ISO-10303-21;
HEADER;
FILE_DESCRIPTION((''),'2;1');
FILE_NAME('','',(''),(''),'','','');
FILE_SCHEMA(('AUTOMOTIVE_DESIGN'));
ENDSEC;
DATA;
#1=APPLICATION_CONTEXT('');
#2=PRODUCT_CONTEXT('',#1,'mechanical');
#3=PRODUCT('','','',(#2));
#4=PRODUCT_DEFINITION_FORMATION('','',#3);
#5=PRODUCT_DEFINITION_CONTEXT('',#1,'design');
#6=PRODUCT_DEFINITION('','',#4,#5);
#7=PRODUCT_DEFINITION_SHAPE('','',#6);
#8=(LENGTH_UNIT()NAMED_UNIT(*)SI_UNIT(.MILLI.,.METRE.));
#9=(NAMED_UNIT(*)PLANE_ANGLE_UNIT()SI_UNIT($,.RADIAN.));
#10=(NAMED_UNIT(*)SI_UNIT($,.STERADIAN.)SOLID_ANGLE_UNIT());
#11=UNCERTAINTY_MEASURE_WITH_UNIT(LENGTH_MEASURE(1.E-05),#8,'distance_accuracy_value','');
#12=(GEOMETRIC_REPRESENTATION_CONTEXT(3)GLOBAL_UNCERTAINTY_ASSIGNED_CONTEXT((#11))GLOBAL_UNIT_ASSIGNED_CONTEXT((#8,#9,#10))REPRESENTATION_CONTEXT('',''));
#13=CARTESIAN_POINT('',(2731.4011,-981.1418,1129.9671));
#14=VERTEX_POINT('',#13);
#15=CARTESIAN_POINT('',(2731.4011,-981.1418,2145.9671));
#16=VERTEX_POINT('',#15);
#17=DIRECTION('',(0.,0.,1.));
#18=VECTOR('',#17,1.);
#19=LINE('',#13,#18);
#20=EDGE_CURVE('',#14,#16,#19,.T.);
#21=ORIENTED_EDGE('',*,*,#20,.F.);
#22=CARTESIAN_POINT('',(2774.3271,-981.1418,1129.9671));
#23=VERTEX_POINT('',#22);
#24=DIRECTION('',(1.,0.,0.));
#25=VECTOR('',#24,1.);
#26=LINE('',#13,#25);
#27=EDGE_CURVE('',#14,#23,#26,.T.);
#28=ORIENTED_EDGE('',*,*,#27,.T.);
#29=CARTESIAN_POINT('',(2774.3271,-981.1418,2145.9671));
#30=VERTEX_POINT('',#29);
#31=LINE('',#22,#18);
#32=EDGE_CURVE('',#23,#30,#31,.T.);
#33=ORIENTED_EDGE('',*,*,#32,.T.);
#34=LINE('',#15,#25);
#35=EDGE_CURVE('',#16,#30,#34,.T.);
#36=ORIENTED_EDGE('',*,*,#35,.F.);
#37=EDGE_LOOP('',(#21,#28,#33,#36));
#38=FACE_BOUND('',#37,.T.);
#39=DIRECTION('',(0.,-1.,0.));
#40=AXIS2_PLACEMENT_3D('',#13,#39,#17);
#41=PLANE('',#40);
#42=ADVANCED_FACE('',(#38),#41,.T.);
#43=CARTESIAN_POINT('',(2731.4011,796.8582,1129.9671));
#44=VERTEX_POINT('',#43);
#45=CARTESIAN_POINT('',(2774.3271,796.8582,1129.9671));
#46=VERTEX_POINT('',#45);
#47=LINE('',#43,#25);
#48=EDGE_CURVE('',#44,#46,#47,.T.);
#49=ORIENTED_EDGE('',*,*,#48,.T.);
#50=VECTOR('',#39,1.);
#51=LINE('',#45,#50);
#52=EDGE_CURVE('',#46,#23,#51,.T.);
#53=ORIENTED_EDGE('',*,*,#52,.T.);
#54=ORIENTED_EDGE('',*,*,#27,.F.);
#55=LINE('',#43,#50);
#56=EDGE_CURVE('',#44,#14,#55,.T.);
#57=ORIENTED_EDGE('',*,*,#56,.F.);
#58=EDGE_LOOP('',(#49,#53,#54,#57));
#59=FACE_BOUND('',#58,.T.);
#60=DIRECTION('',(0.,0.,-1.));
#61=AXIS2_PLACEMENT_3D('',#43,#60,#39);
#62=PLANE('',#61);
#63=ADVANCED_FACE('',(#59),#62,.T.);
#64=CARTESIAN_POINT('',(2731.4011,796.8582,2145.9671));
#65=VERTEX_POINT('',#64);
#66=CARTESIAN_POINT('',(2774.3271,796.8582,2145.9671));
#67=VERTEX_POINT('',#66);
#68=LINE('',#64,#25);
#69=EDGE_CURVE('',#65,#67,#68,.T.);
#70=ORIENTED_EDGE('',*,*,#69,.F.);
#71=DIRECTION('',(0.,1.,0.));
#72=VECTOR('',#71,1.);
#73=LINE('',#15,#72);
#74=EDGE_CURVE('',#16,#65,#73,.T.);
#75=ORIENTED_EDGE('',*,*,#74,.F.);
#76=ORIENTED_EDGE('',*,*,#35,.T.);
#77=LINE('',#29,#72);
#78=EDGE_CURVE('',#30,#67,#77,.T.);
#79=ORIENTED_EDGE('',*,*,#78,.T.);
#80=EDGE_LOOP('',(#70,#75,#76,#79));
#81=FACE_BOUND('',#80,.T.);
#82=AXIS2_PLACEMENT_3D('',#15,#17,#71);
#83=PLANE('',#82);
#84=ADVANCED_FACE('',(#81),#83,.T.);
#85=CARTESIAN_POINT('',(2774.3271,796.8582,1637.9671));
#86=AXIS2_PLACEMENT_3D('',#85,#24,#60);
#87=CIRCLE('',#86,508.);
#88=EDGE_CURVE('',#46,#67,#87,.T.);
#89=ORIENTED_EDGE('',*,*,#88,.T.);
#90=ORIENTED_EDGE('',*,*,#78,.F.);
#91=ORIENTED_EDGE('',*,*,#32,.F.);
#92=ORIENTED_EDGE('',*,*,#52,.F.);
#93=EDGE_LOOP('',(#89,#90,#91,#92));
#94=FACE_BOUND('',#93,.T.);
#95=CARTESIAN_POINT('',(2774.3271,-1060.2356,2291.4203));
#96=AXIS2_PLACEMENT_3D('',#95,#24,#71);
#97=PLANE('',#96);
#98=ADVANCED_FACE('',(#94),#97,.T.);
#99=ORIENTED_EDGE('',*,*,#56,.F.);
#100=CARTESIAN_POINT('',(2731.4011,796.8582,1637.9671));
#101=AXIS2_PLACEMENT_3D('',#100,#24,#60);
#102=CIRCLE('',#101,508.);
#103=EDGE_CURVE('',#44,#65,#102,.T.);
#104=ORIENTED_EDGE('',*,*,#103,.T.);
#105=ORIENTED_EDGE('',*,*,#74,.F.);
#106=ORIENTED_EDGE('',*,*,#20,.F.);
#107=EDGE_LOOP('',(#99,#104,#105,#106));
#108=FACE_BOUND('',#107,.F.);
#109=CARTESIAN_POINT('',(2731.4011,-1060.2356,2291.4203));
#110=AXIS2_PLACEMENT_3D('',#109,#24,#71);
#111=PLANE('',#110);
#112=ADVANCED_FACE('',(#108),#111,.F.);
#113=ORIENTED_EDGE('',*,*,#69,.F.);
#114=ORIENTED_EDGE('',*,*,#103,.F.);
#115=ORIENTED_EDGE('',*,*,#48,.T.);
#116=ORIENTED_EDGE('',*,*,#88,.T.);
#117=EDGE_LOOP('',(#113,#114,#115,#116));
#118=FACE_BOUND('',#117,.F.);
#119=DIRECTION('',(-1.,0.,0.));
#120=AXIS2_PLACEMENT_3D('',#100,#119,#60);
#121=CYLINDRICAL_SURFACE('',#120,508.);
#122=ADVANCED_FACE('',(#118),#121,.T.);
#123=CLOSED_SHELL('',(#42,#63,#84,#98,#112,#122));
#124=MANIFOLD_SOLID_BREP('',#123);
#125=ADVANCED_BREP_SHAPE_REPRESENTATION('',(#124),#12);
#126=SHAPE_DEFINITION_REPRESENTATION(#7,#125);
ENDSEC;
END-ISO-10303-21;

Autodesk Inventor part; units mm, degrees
ref_plane "YZ Plane" through (0, 0, 0) normal (1, 0, 0) x (0, 1, 0)
ref_plane "XZ Plane" through (0, 0, 0) normal (0, 1, 0) x (-1, 0, 0)
ref_plane "XY Plane" through (0, 0, 0) normal (0, 0, 1) x (1, 0, 0)
ref_plane "Work Plane1" through (2731.4011, -1060.2356, 2291.4203) normal (1, 0, 0) x (0, 1, 0)
sketch "Sketch1" plane through (2731.4011, -1060.2356, 2291.4203) normal (1, 0, 0) x (0, 1, 0)
  line L0 (79.0938, -145.4532) -> (1857.0938, -145.4532)
  line L1 (1857.0938, -1161.4532) -> (79.0938, -1161.4532)
  line L2 (79.0938, -1161.4532) -> (79.0938, -145.4532)
  arc A0 (1857.0938, -1161.4532) -> (1857.0938, -145.4532) centre (1857.0938, -653.4532) ccw
  point P0 (1060.2356, -2291.4203)
extrude "Extrusion1" add sketch "Sketch1" along normal blind 42.926
properties part number "pOOPOODOOR"
